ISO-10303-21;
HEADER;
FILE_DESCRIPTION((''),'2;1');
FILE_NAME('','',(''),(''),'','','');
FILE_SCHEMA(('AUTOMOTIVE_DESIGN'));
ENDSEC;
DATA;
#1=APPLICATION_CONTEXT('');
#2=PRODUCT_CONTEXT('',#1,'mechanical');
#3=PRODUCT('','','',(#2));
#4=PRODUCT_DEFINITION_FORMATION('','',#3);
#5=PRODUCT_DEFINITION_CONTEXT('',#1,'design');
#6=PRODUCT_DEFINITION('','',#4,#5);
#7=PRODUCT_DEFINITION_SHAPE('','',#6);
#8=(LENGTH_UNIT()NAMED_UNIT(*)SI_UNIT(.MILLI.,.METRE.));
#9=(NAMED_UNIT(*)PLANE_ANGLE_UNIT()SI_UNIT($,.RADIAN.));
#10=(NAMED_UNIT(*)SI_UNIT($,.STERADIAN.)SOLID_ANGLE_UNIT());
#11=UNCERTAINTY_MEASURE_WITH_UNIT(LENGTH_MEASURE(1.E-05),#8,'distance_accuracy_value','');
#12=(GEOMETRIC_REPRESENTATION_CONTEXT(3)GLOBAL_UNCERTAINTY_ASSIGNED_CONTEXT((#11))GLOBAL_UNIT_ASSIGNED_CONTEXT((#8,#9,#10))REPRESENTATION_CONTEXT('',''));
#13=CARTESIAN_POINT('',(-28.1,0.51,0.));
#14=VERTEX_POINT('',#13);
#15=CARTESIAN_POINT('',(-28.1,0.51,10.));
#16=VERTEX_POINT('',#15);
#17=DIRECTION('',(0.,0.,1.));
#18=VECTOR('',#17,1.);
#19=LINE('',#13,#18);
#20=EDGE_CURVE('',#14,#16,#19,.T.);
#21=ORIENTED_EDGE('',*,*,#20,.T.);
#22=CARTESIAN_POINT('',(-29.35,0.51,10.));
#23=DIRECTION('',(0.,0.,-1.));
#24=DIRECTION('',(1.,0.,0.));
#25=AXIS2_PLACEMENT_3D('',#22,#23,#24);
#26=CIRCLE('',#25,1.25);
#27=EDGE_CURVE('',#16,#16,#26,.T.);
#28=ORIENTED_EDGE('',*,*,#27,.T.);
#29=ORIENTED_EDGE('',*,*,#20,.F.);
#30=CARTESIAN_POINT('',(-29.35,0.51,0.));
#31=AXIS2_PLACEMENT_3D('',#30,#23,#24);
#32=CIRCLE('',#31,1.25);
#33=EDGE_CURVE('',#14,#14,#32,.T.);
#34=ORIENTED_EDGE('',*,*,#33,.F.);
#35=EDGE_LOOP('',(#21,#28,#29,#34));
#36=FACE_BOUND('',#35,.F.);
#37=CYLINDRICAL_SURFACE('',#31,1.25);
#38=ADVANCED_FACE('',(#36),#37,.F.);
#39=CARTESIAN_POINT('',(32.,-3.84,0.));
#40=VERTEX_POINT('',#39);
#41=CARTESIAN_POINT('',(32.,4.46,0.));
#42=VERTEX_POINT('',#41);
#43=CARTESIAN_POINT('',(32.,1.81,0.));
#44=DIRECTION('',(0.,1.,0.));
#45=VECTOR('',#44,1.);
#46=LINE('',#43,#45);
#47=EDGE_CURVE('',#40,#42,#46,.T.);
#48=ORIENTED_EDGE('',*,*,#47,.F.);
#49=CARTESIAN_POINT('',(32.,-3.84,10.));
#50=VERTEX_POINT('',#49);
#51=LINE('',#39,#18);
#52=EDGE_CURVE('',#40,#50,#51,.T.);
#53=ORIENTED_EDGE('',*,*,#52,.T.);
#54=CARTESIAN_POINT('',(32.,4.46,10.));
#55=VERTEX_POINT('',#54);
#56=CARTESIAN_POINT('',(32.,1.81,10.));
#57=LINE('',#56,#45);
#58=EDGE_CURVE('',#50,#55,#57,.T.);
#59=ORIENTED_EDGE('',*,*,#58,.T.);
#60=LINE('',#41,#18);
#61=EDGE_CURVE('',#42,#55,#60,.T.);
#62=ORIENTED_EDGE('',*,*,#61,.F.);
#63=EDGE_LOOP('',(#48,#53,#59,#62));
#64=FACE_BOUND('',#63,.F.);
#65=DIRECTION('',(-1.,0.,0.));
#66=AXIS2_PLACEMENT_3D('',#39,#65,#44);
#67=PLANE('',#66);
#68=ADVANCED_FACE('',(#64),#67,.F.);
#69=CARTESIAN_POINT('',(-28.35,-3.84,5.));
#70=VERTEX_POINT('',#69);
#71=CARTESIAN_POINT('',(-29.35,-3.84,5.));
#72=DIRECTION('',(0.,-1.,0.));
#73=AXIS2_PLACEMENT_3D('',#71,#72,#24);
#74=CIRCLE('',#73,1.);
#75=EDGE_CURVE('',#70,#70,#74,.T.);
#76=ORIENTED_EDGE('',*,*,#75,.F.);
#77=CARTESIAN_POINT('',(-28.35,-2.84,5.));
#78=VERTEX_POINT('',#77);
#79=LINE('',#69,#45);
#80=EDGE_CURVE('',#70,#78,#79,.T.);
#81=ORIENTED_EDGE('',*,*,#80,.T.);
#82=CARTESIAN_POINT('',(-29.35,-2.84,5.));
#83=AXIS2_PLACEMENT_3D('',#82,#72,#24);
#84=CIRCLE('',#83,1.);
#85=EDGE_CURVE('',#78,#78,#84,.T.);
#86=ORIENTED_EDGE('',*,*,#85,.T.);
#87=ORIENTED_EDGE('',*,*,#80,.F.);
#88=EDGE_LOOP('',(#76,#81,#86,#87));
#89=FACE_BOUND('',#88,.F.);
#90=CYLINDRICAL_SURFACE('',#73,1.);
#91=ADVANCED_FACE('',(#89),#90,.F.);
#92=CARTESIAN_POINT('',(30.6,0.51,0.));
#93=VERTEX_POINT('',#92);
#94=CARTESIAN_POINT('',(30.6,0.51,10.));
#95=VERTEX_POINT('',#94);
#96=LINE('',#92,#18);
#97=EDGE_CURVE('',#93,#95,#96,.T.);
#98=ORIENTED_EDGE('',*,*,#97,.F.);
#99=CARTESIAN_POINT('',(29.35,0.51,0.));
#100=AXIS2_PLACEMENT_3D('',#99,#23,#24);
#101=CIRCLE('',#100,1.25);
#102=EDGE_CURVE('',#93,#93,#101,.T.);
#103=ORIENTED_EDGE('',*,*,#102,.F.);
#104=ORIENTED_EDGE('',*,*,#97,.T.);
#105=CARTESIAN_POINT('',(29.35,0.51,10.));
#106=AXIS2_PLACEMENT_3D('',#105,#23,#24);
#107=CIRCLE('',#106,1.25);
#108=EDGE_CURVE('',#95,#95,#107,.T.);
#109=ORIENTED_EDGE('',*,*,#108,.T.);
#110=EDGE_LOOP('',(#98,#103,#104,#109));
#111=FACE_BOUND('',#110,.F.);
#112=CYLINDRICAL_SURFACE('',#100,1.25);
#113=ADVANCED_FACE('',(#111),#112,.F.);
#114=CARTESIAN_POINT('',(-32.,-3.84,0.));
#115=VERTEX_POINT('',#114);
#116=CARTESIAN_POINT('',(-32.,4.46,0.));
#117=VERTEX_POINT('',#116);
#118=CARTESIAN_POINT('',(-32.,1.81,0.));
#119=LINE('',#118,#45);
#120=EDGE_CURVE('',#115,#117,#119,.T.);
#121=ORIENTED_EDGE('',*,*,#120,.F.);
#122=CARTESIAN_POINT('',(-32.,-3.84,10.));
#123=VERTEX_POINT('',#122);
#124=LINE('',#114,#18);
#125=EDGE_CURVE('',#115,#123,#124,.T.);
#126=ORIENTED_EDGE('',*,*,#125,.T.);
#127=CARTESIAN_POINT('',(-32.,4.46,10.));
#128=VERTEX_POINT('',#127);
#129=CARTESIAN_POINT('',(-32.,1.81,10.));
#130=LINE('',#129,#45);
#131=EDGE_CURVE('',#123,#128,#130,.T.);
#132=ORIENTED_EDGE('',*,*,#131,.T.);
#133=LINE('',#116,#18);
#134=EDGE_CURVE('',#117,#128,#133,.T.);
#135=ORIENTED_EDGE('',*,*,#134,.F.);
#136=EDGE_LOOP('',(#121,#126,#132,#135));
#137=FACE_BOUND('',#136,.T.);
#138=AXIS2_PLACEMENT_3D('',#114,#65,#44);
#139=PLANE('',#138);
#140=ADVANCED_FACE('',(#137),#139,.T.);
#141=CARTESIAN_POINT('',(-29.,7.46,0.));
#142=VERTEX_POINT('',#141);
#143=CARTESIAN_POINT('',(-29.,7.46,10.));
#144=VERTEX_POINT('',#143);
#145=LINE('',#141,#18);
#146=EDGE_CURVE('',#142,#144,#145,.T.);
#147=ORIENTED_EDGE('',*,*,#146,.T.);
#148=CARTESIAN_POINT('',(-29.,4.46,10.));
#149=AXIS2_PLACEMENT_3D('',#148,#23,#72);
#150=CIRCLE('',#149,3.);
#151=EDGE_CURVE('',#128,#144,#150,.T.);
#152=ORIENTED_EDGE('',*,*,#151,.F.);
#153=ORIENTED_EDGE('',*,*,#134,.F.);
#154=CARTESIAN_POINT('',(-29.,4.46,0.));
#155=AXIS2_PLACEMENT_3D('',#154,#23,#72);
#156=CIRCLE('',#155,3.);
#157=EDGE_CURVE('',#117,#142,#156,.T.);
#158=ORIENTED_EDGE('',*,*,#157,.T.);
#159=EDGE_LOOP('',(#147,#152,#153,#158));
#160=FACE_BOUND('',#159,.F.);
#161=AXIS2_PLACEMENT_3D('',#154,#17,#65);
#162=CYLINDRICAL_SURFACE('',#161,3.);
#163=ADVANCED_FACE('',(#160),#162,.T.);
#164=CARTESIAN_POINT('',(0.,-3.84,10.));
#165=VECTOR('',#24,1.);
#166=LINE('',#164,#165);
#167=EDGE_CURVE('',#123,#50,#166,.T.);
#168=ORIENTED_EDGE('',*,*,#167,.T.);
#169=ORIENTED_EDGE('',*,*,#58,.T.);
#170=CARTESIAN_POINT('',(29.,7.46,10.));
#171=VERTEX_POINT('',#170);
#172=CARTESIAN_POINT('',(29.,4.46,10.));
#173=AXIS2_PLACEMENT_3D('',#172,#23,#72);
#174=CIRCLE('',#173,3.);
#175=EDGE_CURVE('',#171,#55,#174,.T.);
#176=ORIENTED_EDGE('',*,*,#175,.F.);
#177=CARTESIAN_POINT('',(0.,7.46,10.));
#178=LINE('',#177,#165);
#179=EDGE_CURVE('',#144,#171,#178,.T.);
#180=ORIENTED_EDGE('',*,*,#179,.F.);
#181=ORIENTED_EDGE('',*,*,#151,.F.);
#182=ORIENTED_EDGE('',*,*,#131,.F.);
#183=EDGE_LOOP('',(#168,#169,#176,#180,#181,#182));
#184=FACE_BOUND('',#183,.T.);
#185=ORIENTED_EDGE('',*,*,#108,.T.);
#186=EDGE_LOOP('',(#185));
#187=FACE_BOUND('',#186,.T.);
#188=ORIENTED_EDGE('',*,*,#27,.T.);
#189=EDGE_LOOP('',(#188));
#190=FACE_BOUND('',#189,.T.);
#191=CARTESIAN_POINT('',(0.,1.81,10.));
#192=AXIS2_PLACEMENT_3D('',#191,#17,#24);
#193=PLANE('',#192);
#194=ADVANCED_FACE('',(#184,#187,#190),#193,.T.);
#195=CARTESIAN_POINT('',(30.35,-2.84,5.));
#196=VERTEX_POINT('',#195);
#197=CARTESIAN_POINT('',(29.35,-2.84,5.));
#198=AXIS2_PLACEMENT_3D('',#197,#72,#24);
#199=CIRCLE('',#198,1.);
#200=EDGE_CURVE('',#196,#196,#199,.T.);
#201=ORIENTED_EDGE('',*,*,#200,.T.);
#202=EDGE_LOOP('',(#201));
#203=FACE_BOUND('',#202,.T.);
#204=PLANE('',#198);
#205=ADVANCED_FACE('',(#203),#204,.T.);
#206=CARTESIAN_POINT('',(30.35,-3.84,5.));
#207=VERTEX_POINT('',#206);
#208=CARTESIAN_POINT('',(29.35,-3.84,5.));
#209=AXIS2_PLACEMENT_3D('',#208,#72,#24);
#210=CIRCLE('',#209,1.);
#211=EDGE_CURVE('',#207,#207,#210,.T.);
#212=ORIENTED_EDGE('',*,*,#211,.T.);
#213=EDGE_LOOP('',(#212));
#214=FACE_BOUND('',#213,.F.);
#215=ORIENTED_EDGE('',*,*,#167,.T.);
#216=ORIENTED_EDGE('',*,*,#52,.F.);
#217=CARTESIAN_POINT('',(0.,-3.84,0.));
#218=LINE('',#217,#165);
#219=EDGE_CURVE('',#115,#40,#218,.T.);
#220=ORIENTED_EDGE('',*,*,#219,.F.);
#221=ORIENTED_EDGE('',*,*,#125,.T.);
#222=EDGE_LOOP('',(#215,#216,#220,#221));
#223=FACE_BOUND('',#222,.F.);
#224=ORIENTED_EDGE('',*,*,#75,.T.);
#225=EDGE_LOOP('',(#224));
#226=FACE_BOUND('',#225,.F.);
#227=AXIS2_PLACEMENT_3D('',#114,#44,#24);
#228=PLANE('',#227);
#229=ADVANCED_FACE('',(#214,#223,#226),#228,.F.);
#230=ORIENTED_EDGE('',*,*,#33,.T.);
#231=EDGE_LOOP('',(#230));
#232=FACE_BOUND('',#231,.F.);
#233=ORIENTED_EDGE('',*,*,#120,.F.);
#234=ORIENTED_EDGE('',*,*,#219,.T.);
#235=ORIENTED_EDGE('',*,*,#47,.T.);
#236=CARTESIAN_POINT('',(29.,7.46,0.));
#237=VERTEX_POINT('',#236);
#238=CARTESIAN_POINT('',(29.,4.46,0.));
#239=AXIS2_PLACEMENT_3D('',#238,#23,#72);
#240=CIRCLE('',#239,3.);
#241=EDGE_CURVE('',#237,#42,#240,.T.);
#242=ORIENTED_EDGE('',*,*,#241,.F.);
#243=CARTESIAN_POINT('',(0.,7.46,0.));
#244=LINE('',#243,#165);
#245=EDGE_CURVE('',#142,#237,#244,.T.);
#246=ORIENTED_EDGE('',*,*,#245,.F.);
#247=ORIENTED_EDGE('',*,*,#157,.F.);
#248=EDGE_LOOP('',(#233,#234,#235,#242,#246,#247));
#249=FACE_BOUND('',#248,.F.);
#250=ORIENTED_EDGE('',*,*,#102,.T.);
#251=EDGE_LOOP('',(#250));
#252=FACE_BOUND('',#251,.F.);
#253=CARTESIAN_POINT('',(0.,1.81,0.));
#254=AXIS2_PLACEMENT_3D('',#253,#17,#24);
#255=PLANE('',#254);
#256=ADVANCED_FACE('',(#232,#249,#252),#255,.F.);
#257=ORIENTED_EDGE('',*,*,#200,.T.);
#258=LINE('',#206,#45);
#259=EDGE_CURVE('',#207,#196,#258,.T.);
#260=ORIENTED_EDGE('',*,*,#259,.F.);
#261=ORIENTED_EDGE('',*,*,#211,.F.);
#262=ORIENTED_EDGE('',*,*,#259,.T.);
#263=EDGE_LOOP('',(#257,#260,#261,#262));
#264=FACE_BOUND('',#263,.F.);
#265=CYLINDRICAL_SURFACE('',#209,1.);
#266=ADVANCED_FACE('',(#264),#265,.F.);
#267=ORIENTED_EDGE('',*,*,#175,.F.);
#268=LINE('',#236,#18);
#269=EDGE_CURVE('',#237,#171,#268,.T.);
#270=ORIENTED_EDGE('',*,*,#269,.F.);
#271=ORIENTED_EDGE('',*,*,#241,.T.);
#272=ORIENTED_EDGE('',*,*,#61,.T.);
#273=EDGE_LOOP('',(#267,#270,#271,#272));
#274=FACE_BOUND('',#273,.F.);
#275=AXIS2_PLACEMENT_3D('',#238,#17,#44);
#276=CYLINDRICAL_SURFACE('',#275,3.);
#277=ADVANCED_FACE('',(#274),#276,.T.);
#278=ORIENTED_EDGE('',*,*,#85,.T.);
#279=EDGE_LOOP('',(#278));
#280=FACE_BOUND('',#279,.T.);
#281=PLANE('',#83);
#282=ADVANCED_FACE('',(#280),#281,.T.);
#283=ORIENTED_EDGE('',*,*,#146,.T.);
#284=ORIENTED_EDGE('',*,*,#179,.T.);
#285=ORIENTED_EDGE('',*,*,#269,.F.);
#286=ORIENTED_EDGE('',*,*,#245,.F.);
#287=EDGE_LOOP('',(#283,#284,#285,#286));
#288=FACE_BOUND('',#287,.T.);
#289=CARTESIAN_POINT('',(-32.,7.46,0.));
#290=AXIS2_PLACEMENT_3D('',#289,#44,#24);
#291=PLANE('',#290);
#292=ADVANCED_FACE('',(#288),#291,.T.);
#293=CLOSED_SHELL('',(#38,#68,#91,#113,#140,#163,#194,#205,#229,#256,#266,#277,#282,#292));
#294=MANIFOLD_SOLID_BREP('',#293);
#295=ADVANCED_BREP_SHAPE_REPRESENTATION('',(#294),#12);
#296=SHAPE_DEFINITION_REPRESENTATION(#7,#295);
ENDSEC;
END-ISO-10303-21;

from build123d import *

# Parameters (mm, degrees)
SKETCH_W        = 64
SKETCH_H        = 11.3
PAD_DEPTH       = 10
SKETCH004_R     = 1
POCKET_DEPTH    = 1
SKETCH006_R     = 1.25
POCKET002_DEPTH = 10.001
FILLET001_R     = 3


with BuildPart() as part:
    # Sketch → Pad (new body)
    with BuildSketch(Plane.XY):
        with Locations((0, 5.65)):
            Rectangle(SKETCH_W, SKETCH_H)
    extrude(amount=PAD_DEPTH)

    # Sketch004 (on Face3 of Pad) → Pocket (cut)
    with BuildSketch(Plane.XZ):
        with Locations((29.35, 5)):
            Circle(SKETCH004_R)
        with Locations((-29.35, 5)):
            Circle(SKETCH004_R)
    extrude(amount=-POCKET_DEPTH, mode=Mode.SUBTRACT)

    # Sketch006 (on Face4 of Pocket) → Pocket002 (cut, through all)
    with BuildSketch(Plane(origin=(0, 0, 0), x_dir=(1, 0, 0), z_dir=(0, 0, -1))):
        with Locations((29.35, -4.35)):
            Circle(SKETCH006_R)
        with Locations((-29.35, -4.35)):
            Circle(SKETCH006_R)
    extrude(amount=-POCKET002_DEPTH, mode=Mode.SUBTRACT)

    # Fillet001
    fillet001_edges = [part.edges().sort_by_distance(p)[0] for p in [
        (-32, 11.3, 5),
        (32, 11.3, 5),
    ]]
    fillet(fillet001_edges, radius=FILLET001_R)


with BuildPart() as part_1:
    # Body placement: moved
    add(part.part.moved(Location((0, -3.84, 0))))


solid = part_1.part
